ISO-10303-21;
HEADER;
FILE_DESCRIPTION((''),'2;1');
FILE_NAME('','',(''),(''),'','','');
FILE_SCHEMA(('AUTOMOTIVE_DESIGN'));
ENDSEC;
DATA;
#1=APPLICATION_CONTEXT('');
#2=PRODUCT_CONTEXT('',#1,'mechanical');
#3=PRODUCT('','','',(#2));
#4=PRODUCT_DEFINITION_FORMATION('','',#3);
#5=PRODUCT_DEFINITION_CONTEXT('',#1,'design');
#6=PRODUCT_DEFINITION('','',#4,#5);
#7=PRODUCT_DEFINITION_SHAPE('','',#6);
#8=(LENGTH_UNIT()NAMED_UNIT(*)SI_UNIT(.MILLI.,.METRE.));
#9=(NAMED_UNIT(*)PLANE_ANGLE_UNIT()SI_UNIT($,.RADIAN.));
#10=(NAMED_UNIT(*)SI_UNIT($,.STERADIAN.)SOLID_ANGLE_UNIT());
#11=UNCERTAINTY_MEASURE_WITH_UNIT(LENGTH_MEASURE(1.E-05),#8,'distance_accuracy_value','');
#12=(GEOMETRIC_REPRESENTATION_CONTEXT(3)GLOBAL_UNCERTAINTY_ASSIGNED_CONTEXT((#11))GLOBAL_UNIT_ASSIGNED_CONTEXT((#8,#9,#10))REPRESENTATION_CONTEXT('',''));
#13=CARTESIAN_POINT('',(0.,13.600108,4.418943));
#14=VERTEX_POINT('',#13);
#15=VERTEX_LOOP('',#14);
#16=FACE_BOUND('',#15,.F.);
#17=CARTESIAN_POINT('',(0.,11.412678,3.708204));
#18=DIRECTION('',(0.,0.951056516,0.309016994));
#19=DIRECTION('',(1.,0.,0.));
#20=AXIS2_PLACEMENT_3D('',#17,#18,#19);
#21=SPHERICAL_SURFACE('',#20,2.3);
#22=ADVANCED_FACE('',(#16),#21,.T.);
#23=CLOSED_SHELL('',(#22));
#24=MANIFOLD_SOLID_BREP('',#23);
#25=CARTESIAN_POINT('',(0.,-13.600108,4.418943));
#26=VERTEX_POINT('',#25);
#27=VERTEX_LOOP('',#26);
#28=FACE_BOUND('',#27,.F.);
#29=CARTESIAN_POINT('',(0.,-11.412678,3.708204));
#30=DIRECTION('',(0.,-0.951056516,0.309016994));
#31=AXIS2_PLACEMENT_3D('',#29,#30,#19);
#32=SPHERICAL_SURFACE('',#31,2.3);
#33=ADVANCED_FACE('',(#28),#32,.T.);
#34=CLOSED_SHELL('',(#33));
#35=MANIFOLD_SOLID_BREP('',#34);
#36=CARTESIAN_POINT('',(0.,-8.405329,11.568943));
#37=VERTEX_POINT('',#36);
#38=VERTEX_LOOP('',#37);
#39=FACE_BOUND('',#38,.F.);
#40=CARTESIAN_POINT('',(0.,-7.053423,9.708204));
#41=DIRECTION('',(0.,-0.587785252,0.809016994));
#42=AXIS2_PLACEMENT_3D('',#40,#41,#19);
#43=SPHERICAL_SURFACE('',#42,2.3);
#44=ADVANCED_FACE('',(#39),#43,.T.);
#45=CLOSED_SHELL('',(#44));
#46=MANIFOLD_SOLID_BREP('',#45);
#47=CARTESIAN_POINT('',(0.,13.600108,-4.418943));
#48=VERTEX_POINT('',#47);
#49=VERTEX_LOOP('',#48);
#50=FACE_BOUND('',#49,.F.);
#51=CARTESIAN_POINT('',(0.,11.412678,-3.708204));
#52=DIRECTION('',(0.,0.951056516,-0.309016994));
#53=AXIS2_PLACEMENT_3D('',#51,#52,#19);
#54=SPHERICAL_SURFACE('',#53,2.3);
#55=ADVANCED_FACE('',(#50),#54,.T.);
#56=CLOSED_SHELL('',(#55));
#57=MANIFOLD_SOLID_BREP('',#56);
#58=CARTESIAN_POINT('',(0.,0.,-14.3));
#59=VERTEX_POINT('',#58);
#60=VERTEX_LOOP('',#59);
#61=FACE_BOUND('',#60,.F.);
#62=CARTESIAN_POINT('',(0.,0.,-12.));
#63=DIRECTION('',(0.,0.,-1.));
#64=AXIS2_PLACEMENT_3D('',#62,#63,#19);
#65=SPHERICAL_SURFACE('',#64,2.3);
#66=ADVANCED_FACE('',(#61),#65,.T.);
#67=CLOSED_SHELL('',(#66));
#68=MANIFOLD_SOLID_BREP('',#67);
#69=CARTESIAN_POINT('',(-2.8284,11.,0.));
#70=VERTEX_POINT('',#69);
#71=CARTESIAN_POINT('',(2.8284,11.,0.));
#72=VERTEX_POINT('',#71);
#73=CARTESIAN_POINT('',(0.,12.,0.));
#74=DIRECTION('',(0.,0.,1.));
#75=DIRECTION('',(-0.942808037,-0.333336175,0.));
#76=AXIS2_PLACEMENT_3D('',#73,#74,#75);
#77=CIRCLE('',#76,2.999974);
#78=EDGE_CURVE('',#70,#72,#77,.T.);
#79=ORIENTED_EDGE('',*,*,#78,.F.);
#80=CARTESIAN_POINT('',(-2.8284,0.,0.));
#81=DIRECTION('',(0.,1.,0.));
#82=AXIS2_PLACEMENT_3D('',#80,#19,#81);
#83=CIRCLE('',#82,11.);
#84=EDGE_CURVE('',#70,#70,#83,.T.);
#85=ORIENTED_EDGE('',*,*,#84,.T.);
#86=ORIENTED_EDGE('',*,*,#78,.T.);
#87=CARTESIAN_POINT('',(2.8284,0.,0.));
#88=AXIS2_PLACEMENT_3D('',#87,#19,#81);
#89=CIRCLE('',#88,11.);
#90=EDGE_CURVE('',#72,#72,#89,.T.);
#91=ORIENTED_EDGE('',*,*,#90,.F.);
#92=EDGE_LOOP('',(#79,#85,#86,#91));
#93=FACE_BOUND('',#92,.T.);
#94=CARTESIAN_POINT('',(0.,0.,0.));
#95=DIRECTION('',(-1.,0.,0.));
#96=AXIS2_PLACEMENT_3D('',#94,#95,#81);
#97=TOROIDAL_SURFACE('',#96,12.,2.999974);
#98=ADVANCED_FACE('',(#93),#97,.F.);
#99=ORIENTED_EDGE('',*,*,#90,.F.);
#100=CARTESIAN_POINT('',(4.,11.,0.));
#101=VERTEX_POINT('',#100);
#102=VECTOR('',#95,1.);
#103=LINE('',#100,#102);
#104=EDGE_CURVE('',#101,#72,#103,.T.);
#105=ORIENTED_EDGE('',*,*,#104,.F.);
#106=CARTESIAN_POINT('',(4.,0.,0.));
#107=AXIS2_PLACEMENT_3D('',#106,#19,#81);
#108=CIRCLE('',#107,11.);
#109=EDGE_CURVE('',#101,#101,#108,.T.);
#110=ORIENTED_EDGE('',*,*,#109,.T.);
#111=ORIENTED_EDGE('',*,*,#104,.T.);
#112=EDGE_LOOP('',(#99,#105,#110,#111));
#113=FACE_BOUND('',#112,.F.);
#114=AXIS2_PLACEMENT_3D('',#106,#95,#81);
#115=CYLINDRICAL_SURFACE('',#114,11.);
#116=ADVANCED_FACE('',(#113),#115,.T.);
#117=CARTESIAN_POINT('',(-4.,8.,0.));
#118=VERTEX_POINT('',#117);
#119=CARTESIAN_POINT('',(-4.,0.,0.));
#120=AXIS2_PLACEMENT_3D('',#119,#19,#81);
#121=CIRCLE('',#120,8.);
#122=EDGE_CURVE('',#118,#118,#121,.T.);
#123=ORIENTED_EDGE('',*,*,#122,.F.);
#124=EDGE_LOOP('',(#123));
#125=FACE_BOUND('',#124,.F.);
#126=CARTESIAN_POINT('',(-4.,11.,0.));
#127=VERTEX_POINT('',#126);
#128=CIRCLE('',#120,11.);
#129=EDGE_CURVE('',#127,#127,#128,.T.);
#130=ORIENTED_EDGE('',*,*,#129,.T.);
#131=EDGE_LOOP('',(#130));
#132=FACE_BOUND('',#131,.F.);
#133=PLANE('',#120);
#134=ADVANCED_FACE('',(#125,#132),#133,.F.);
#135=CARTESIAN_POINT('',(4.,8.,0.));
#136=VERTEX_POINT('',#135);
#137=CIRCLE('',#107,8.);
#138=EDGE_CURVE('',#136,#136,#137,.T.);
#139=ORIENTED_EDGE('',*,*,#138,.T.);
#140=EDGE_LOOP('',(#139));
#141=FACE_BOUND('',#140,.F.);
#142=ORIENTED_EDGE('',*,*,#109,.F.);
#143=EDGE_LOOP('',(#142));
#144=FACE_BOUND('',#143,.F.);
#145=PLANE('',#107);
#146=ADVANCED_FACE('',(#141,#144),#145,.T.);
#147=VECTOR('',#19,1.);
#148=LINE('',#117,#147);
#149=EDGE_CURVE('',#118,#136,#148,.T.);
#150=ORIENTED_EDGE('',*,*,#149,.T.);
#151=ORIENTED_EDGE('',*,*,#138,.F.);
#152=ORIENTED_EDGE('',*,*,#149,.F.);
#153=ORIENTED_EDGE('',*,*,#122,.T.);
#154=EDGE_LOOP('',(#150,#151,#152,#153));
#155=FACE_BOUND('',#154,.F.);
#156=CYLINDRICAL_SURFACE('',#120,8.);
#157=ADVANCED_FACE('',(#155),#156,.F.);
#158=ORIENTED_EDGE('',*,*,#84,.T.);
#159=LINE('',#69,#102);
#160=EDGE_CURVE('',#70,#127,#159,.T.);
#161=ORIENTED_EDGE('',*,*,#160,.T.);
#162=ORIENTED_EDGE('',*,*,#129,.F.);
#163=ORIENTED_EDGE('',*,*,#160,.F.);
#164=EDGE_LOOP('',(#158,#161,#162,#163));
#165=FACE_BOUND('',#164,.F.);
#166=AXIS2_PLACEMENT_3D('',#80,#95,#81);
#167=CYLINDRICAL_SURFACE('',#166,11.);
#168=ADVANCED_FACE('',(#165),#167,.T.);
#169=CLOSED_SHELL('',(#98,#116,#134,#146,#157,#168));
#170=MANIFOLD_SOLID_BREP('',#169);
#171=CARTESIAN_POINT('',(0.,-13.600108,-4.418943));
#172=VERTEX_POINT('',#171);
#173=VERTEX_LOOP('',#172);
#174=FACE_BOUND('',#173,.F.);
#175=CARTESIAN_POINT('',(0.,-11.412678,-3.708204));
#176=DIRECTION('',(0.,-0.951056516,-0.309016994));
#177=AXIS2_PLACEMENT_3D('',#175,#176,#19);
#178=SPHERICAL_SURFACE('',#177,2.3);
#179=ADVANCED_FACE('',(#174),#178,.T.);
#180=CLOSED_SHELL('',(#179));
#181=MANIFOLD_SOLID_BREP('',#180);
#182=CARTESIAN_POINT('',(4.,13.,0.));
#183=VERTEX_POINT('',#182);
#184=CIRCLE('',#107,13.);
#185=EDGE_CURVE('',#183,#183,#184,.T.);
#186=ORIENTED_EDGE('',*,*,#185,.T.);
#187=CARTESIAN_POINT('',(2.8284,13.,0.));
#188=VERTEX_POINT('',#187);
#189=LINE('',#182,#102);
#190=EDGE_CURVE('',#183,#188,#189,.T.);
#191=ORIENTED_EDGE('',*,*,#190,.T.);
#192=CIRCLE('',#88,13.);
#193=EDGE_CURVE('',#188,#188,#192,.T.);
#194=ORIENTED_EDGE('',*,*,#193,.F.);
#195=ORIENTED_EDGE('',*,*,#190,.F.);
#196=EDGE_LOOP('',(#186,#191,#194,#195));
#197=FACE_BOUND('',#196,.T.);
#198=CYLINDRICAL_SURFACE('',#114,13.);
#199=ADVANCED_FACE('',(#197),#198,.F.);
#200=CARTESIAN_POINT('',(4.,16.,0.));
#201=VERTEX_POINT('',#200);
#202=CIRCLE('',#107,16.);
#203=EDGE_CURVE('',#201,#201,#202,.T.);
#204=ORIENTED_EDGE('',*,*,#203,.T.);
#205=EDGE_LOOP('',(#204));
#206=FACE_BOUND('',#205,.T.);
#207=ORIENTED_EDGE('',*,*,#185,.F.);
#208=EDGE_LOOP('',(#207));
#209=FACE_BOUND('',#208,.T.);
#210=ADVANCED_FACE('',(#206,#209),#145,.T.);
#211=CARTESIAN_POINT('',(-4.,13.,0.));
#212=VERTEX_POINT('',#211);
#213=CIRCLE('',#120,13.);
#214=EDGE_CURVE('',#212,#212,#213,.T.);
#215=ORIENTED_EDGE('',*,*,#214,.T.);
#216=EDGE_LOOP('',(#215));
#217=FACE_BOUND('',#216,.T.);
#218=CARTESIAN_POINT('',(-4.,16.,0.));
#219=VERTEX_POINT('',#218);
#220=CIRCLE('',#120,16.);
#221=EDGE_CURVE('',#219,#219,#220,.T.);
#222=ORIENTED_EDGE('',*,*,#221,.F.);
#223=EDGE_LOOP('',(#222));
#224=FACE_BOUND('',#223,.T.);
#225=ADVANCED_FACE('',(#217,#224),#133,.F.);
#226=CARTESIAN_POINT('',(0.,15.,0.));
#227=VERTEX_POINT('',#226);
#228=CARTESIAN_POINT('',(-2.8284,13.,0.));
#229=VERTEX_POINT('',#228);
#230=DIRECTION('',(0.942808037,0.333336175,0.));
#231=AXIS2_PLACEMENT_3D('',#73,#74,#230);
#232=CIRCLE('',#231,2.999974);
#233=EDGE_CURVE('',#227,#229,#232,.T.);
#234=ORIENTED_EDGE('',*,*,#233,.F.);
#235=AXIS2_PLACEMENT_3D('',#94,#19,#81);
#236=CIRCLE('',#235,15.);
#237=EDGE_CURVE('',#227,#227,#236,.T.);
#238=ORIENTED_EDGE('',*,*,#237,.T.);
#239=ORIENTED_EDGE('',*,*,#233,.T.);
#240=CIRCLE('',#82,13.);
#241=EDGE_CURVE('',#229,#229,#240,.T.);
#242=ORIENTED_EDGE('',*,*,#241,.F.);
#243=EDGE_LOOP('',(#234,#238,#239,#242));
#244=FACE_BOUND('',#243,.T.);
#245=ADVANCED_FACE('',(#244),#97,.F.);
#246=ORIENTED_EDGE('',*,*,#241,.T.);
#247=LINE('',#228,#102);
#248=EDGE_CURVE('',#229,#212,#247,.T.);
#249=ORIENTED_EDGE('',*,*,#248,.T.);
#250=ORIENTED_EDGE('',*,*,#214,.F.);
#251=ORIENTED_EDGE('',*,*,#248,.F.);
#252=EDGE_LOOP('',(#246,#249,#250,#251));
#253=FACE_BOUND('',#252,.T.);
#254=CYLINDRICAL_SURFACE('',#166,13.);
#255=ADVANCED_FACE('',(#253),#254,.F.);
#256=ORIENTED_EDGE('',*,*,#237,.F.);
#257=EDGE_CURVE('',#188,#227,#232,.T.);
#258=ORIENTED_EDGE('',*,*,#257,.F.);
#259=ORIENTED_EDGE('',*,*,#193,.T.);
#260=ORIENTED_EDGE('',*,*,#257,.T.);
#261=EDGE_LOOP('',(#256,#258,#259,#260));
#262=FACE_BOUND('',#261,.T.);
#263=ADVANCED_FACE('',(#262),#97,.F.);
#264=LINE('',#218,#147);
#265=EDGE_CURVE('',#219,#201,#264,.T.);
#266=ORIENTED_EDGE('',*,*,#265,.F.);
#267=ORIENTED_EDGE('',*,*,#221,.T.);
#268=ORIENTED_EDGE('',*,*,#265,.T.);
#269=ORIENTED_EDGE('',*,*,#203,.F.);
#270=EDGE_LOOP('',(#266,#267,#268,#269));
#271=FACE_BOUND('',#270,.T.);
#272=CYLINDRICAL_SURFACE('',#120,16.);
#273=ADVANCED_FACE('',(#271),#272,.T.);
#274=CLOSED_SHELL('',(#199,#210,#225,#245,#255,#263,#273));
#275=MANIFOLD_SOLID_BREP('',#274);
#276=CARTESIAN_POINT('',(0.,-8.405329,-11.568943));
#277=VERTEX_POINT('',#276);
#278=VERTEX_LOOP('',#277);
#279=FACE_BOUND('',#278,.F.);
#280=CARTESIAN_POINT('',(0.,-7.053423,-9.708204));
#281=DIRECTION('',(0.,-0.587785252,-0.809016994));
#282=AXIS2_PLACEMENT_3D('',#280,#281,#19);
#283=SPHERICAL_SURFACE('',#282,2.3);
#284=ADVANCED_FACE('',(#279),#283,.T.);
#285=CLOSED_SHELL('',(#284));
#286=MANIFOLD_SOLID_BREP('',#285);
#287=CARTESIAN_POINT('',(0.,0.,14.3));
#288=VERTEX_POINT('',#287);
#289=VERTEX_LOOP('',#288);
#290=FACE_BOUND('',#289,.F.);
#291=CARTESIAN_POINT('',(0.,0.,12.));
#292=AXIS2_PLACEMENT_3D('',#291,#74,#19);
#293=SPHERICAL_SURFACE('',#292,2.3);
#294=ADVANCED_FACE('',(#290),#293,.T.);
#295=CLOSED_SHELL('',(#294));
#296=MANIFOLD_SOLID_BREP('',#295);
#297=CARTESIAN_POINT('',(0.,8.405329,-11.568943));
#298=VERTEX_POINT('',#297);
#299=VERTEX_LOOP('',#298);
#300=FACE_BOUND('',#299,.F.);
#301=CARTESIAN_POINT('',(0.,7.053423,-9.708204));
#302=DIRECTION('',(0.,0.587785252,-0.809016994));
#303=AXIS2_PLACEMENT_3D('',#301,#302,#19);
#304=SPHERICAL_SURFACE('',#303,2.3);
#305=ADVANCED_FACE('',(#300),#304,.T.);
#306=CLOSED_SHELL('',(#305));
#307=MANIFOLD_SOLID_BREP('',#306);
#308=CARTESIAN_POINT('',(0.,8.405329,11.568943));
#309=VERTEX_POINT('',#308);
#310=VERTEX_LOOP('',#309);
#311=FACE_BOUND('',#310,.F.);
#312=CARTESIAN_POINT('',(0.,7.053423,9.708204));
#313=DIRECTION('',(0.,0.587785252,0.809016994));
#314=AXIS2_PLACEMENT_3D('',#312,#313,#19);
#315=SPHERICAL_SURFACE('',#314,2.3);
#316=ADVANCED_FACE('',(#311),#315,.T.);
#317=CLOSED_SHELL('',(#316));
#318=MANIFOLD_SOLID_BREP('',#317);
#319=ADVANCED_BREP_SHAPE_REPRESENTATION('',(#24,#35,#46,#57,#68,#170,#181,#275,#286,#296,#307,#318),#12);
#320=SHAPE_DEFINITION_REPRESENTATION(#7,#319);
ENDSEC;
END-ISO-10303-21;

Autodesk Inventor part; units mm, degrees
ref_plane "YZ Plane" through (0, 0, 0) normal (1, 0, 0) x (0, 1, 0)
ref_plane "XZ Plane" through (0, 0, 0) normal (0, 1, 0) x (-1, 0, 0)
ref_plane "XY Plane" through (0, 0, 0) normal (0, 0, 1) x (1, 0, 0)
sketch "Sketch1" plane through (0, 0, 0) normal (0, 0, 1) x (1, 0, 0)
  line L0 (-4, 16) -> (4, 16)
  line L1 (4, 16) -> (4, 13)
  line L2 (-4, 13) -> (-4, 16)
  line L3 (-4, 16) -> (4, 13) construction
  line L4 (4, 16) -> (-4, 13) construction
  line L5 (-4, 11) -> (-4, 8)
  line L6 (-4, 8) -> (4, 8)
  line L7 (4, 8) -> (4, 11)
  line L8 (4, 11) -> (-4, 8) construction
  line L9 (-4, 11) -> (4, 8) construction
  line L10 (4, 13) -> (2.8284, 13)
  line L11 (-2.8284, 13) -> (-4, 13)
  line L12 (4, 11) -> (2.8284, 11)
  line L13 (-2.8284, 11) -> (-4, 11)
  arc A0 (2.8284, 13) -> (-2.8284, 13) centre (0, 12) ccw
  arc A1 (-2.8284, 11) -> (2.8284, 11) centre (0, 12) ccw
  line L14 (0, 14.5) -> (0, 15)
  line L15 (0, 0) -> (0, 8)
  line L16 (0, 9) -> (0, 9.5)
  line L17 (-5.6, 0) -> (5.6, 0) projected
  point P0 (0, 14.5)
  point P1 (0, 9.5)
  dimension "d6" = 8
  dimension "d7" = 3
  dimension "d8" = 8
  dimension "d9" = 3
  dimension "d11" = 8
sketch "Sketch2" plane through (0, 0, 0) normal (1, 0, 0) x (0, 1, 0)
  point P0 (0, 0)
revolve "Revolution1" add sketch "Sketch1" angle 360 about axis through (-10, 0, 0) along (1, 0, 0)
sketch "Sketch5" plane through (0, 0, 0) normal (1, 0, 0) x (0, 1, 0)
  point P0 (0, 0)
sketch "Sketch6" plane through (0, 0, 0) normal (0, 0, 1) x (1, 0, 0)
  point P0 (0, 0)
sketch "Sketch7" plane through (4, 0, 0) normal (1, 0, 0) x (0, 0, -1)
  point P0 (0, 0)
sketch "Sketch8" plane through (0, 0, 0) normal (0, 1, 0) x (-1, 0, 0)
  line L0 (4, 16) -> (4, -16) projected
  line L1 (-4, 16) -> (-4, -16) projected
  arc A0 (2.8284, -11) -> (-2.8284, -11) centre (0, -12) ccw projected
  arc A1 (-2.8284, -13) -> (2.8284, -13) centre (0, -12) ccw projected
  arc A2 (-2.8284, -13) -> (2.8284, -13) centre (0, -12) ccw projected
  arc A3 (-2.8284, -13) -> (2.8284, -13) centre (0, -12) ccw projected
  arc A4 (-2.8284, -13) -> (2.8284, -13) centre (0, -12) ccw projected
  arc A5 (3, -12) -> (-3, -12) centre (0, -12) ccw
  arc A6 (0, -9.7) -> (0, -14.3) centre (0, -12) ccw
  line L2 (0, -14.3) -> (0, -9.7)
  line L3 (0, -22.4) -> (0, 22.4) projected
  point P0 (0, 0)
  dimension "d16" = 4.6
revolve "Revolution2" add sketch "Sketch8" angle 360 about axis through (0, 0, -10) along (0, 0, 1)
pattern_circular "Circular Pattern1" count 10 over 360 about axis through (-3.4142, 0, 0) along (1, 0, 0) of "Revolution2"
sketch "Sketch9" plane through (0, 0, 0) normal (0, 1, 0) x (-1, 0, 0)
  point P0 (0, 0)
sketch "Sketch10" plane through (4, 0, 0) normal (1, 0, 0) x (0, 0, -1)
  point P0 (0, 0)
sketch "Sketch14" plane through (4, 0, 0) normal (1, 0, 0) x (0, 0, -1)
  circle A0 centre (0, 0) radius 8 projected
sketch "Sketch15" plane through (0, 0, 0) normal (0, 1, 0) x (-1, 0, 0)
  line L0 (-4, 16) -> (-4, -16) projected
  line L1 (4, 16) -> (4, -16) projected
  point P0 (0, 0)
sketch "Sketch16" plane through (4, 0, 0) normal (1, 0, 0) x (0, 0, -1)
  circle A0 centre (0, 0) radius 16 projected
  circle A1 centre (0, 0) radius 13 projected
  dimension "d30" = 32
  dimension "d31" = 26
properties part number "rodamientov2"
